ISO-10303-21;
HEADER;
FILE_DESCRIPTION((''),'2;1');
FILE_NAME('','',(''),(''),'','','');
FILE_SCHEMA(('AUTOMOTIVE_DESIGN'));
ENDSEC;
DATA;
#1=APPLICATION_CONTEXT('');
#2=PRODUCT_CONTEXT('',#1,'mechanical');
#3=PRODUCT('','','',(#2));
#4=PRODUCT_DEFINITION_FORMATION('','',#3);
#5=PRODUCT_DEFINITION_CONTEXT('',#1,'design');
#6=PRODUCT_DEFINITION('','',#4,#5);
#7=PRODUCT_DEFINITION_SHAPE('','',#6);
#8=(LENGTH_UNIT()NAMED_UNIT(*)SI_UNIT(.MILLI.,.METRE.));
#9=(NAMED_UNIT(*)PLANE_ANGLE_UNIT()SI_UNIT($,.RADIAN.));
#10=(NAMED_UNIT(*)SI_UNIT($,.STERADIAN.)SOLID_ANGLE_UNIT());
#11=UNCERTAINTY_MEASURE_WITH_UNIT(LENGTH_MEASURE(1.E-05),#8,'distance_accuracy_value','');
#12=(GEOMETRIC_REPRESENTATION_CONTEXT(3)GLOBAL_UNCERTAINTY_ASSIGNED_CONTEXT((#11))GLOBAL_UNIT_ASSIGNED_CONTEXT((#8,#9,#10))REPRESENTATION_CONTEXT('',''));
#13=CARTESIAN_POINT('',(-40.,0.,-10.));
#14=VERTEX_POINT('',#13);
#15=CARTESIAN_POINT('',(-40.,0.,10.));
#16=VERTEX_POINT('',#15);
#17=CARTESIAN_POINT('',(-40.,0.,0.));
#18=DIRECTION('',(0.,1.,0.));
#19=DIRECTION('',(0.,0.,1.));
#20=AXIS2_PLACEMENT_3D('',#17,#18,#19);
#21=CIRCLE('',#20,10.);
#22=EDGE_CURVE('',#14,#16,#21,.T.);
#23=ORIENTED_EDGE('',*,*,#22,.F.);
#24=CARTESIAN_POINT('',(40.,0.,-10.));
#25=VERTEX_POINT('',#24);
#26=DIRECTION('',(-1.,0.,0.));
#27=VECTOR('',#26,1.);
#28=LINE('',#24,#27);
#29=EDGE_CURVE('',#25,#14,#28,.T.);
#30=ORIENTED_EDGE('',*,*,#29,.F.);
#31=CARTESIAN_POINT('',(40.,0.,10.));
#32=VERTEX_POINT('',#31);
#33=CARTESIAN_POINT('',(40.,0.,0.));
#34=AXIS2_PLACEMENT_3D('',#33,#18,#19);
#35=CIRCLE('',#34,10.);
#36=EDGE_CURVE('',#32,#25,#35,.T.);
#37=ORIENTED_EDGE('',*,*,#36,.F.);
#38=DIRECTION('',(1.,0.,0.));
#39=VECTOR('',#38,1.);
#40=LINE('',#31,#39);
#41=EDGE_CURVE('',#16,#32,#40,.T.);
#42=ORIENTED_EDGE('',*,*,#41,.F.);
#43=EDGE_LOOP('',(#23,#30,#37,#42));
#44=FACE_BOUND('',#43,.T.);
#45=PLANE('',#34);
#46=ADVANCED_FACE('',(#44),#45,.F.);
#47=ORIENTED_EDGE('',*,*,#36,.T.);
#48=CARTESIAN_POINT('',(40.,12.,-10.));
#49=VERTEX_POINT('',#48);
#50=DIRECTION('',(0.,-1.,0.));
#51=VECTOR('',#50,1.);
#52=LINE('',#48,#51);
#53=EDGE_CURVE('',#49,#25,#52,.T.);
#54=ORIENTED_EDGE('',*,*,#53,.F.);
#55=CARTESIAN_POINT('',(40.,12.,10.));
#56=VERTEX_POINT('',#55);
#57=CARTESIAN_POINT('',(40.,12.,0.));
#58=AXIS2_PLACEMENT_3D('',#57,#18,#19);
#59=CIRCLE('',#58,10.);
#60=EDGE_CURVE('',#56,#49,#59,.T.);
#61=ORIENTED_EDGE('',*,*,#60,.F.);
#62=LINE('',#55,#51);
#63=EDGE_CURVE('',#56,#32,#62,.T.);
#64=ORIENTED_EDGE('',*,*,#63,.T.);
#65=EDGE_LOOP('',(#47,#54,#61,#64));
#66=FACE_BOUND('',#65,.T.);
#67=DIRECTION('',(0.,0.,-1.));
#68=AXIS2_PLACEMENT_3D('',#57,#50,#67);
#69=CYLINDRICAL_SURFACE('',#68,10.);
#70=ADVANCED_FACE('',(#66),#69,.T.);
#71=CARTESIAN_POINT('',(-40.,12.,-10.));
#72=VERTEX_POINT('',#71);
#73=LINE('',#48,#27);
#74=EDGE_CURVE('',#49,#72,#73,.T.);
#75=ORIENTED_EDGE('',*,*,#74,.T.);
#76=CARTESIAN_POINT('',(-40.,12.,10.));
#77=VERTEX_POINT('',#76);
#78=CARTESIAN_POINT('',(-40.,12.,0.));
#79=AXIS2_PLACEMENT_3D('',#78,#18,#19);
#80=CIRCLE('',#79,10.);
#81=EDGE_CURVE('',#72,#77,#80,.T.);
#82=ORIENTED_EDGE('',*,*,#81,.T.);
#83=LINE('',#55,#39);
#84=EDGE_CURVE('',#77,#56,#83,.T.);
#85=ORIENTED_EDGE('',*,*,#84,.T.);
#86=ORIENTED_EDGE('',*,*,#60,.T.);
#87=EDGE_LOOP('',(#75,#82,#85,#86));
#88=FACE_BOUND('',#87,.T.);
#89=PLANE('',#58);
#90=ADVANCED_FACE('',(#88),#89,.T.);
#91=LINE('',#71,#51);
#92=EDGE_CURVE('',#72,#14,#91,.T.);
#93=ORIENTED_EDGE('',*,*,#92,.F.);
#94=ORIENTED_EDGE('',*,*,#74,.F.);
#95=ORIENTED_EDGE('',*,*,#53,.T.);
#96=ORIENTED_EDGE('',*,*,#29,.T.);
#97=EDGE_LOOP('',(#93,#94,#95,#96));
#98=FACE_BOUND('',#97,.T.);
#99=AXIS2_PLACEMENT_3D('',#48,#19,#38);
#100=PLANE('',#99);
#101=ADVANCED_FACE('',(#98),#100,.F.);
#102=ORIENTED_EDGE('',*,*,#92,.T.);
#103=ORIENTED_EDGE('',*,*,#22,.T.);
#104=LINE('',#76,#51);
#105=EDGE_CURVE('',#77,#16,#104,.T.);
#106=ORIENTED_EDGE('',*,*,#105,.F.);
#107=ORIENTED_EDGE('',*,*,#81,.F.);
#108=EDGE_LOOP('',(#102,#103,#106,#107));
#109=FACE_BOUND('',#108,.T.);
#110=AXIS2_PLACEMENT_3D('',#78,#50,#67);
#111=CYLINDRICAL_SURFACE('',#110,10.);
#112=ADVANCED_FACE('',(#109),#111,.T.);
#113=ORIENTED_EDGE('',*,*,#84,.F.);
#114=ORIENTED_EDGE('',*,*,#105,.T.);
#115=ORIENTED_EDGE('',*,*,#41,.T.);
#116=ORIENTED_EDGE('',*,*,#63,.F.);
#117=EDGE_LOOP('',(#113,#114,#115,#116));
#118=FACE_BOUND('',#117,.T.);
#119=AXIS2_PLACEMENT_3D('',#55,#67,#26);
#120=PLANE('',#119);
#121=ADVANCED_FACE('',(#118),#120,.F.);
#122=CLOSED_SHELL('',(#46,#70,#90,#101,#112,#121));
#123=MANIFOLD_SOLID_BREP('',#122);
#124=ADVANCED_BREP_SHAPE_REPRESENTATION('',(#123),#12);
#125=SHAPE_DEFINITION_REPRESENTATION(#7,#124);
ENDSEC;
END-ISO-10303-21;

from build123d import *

# Parameters (mm, degrees)
BOSS_EXTRU_1_DEPTH = 12


with BuildPart() as part:
    # Esquisse1 → Boss.-Extru.1 (new body)
    with BuildSketch(Plane(origin=(0, 0, 0), x_dir=(1, 0, 0), z_dir=(0, 1, 0))):
        with BuildLine():
            Line((40, -10), (-40, -10))
            ThreePointArc((-40, -10), (-50, 0), (-40, 10))
            Line((-40, 10), (40, 10))
            ThreePointArc((40, 10), (50, 0), (40, -10))
        make_face()
    extrude(amount=BOSS_EXTRU_1_DEPTH)


solid = part.part
